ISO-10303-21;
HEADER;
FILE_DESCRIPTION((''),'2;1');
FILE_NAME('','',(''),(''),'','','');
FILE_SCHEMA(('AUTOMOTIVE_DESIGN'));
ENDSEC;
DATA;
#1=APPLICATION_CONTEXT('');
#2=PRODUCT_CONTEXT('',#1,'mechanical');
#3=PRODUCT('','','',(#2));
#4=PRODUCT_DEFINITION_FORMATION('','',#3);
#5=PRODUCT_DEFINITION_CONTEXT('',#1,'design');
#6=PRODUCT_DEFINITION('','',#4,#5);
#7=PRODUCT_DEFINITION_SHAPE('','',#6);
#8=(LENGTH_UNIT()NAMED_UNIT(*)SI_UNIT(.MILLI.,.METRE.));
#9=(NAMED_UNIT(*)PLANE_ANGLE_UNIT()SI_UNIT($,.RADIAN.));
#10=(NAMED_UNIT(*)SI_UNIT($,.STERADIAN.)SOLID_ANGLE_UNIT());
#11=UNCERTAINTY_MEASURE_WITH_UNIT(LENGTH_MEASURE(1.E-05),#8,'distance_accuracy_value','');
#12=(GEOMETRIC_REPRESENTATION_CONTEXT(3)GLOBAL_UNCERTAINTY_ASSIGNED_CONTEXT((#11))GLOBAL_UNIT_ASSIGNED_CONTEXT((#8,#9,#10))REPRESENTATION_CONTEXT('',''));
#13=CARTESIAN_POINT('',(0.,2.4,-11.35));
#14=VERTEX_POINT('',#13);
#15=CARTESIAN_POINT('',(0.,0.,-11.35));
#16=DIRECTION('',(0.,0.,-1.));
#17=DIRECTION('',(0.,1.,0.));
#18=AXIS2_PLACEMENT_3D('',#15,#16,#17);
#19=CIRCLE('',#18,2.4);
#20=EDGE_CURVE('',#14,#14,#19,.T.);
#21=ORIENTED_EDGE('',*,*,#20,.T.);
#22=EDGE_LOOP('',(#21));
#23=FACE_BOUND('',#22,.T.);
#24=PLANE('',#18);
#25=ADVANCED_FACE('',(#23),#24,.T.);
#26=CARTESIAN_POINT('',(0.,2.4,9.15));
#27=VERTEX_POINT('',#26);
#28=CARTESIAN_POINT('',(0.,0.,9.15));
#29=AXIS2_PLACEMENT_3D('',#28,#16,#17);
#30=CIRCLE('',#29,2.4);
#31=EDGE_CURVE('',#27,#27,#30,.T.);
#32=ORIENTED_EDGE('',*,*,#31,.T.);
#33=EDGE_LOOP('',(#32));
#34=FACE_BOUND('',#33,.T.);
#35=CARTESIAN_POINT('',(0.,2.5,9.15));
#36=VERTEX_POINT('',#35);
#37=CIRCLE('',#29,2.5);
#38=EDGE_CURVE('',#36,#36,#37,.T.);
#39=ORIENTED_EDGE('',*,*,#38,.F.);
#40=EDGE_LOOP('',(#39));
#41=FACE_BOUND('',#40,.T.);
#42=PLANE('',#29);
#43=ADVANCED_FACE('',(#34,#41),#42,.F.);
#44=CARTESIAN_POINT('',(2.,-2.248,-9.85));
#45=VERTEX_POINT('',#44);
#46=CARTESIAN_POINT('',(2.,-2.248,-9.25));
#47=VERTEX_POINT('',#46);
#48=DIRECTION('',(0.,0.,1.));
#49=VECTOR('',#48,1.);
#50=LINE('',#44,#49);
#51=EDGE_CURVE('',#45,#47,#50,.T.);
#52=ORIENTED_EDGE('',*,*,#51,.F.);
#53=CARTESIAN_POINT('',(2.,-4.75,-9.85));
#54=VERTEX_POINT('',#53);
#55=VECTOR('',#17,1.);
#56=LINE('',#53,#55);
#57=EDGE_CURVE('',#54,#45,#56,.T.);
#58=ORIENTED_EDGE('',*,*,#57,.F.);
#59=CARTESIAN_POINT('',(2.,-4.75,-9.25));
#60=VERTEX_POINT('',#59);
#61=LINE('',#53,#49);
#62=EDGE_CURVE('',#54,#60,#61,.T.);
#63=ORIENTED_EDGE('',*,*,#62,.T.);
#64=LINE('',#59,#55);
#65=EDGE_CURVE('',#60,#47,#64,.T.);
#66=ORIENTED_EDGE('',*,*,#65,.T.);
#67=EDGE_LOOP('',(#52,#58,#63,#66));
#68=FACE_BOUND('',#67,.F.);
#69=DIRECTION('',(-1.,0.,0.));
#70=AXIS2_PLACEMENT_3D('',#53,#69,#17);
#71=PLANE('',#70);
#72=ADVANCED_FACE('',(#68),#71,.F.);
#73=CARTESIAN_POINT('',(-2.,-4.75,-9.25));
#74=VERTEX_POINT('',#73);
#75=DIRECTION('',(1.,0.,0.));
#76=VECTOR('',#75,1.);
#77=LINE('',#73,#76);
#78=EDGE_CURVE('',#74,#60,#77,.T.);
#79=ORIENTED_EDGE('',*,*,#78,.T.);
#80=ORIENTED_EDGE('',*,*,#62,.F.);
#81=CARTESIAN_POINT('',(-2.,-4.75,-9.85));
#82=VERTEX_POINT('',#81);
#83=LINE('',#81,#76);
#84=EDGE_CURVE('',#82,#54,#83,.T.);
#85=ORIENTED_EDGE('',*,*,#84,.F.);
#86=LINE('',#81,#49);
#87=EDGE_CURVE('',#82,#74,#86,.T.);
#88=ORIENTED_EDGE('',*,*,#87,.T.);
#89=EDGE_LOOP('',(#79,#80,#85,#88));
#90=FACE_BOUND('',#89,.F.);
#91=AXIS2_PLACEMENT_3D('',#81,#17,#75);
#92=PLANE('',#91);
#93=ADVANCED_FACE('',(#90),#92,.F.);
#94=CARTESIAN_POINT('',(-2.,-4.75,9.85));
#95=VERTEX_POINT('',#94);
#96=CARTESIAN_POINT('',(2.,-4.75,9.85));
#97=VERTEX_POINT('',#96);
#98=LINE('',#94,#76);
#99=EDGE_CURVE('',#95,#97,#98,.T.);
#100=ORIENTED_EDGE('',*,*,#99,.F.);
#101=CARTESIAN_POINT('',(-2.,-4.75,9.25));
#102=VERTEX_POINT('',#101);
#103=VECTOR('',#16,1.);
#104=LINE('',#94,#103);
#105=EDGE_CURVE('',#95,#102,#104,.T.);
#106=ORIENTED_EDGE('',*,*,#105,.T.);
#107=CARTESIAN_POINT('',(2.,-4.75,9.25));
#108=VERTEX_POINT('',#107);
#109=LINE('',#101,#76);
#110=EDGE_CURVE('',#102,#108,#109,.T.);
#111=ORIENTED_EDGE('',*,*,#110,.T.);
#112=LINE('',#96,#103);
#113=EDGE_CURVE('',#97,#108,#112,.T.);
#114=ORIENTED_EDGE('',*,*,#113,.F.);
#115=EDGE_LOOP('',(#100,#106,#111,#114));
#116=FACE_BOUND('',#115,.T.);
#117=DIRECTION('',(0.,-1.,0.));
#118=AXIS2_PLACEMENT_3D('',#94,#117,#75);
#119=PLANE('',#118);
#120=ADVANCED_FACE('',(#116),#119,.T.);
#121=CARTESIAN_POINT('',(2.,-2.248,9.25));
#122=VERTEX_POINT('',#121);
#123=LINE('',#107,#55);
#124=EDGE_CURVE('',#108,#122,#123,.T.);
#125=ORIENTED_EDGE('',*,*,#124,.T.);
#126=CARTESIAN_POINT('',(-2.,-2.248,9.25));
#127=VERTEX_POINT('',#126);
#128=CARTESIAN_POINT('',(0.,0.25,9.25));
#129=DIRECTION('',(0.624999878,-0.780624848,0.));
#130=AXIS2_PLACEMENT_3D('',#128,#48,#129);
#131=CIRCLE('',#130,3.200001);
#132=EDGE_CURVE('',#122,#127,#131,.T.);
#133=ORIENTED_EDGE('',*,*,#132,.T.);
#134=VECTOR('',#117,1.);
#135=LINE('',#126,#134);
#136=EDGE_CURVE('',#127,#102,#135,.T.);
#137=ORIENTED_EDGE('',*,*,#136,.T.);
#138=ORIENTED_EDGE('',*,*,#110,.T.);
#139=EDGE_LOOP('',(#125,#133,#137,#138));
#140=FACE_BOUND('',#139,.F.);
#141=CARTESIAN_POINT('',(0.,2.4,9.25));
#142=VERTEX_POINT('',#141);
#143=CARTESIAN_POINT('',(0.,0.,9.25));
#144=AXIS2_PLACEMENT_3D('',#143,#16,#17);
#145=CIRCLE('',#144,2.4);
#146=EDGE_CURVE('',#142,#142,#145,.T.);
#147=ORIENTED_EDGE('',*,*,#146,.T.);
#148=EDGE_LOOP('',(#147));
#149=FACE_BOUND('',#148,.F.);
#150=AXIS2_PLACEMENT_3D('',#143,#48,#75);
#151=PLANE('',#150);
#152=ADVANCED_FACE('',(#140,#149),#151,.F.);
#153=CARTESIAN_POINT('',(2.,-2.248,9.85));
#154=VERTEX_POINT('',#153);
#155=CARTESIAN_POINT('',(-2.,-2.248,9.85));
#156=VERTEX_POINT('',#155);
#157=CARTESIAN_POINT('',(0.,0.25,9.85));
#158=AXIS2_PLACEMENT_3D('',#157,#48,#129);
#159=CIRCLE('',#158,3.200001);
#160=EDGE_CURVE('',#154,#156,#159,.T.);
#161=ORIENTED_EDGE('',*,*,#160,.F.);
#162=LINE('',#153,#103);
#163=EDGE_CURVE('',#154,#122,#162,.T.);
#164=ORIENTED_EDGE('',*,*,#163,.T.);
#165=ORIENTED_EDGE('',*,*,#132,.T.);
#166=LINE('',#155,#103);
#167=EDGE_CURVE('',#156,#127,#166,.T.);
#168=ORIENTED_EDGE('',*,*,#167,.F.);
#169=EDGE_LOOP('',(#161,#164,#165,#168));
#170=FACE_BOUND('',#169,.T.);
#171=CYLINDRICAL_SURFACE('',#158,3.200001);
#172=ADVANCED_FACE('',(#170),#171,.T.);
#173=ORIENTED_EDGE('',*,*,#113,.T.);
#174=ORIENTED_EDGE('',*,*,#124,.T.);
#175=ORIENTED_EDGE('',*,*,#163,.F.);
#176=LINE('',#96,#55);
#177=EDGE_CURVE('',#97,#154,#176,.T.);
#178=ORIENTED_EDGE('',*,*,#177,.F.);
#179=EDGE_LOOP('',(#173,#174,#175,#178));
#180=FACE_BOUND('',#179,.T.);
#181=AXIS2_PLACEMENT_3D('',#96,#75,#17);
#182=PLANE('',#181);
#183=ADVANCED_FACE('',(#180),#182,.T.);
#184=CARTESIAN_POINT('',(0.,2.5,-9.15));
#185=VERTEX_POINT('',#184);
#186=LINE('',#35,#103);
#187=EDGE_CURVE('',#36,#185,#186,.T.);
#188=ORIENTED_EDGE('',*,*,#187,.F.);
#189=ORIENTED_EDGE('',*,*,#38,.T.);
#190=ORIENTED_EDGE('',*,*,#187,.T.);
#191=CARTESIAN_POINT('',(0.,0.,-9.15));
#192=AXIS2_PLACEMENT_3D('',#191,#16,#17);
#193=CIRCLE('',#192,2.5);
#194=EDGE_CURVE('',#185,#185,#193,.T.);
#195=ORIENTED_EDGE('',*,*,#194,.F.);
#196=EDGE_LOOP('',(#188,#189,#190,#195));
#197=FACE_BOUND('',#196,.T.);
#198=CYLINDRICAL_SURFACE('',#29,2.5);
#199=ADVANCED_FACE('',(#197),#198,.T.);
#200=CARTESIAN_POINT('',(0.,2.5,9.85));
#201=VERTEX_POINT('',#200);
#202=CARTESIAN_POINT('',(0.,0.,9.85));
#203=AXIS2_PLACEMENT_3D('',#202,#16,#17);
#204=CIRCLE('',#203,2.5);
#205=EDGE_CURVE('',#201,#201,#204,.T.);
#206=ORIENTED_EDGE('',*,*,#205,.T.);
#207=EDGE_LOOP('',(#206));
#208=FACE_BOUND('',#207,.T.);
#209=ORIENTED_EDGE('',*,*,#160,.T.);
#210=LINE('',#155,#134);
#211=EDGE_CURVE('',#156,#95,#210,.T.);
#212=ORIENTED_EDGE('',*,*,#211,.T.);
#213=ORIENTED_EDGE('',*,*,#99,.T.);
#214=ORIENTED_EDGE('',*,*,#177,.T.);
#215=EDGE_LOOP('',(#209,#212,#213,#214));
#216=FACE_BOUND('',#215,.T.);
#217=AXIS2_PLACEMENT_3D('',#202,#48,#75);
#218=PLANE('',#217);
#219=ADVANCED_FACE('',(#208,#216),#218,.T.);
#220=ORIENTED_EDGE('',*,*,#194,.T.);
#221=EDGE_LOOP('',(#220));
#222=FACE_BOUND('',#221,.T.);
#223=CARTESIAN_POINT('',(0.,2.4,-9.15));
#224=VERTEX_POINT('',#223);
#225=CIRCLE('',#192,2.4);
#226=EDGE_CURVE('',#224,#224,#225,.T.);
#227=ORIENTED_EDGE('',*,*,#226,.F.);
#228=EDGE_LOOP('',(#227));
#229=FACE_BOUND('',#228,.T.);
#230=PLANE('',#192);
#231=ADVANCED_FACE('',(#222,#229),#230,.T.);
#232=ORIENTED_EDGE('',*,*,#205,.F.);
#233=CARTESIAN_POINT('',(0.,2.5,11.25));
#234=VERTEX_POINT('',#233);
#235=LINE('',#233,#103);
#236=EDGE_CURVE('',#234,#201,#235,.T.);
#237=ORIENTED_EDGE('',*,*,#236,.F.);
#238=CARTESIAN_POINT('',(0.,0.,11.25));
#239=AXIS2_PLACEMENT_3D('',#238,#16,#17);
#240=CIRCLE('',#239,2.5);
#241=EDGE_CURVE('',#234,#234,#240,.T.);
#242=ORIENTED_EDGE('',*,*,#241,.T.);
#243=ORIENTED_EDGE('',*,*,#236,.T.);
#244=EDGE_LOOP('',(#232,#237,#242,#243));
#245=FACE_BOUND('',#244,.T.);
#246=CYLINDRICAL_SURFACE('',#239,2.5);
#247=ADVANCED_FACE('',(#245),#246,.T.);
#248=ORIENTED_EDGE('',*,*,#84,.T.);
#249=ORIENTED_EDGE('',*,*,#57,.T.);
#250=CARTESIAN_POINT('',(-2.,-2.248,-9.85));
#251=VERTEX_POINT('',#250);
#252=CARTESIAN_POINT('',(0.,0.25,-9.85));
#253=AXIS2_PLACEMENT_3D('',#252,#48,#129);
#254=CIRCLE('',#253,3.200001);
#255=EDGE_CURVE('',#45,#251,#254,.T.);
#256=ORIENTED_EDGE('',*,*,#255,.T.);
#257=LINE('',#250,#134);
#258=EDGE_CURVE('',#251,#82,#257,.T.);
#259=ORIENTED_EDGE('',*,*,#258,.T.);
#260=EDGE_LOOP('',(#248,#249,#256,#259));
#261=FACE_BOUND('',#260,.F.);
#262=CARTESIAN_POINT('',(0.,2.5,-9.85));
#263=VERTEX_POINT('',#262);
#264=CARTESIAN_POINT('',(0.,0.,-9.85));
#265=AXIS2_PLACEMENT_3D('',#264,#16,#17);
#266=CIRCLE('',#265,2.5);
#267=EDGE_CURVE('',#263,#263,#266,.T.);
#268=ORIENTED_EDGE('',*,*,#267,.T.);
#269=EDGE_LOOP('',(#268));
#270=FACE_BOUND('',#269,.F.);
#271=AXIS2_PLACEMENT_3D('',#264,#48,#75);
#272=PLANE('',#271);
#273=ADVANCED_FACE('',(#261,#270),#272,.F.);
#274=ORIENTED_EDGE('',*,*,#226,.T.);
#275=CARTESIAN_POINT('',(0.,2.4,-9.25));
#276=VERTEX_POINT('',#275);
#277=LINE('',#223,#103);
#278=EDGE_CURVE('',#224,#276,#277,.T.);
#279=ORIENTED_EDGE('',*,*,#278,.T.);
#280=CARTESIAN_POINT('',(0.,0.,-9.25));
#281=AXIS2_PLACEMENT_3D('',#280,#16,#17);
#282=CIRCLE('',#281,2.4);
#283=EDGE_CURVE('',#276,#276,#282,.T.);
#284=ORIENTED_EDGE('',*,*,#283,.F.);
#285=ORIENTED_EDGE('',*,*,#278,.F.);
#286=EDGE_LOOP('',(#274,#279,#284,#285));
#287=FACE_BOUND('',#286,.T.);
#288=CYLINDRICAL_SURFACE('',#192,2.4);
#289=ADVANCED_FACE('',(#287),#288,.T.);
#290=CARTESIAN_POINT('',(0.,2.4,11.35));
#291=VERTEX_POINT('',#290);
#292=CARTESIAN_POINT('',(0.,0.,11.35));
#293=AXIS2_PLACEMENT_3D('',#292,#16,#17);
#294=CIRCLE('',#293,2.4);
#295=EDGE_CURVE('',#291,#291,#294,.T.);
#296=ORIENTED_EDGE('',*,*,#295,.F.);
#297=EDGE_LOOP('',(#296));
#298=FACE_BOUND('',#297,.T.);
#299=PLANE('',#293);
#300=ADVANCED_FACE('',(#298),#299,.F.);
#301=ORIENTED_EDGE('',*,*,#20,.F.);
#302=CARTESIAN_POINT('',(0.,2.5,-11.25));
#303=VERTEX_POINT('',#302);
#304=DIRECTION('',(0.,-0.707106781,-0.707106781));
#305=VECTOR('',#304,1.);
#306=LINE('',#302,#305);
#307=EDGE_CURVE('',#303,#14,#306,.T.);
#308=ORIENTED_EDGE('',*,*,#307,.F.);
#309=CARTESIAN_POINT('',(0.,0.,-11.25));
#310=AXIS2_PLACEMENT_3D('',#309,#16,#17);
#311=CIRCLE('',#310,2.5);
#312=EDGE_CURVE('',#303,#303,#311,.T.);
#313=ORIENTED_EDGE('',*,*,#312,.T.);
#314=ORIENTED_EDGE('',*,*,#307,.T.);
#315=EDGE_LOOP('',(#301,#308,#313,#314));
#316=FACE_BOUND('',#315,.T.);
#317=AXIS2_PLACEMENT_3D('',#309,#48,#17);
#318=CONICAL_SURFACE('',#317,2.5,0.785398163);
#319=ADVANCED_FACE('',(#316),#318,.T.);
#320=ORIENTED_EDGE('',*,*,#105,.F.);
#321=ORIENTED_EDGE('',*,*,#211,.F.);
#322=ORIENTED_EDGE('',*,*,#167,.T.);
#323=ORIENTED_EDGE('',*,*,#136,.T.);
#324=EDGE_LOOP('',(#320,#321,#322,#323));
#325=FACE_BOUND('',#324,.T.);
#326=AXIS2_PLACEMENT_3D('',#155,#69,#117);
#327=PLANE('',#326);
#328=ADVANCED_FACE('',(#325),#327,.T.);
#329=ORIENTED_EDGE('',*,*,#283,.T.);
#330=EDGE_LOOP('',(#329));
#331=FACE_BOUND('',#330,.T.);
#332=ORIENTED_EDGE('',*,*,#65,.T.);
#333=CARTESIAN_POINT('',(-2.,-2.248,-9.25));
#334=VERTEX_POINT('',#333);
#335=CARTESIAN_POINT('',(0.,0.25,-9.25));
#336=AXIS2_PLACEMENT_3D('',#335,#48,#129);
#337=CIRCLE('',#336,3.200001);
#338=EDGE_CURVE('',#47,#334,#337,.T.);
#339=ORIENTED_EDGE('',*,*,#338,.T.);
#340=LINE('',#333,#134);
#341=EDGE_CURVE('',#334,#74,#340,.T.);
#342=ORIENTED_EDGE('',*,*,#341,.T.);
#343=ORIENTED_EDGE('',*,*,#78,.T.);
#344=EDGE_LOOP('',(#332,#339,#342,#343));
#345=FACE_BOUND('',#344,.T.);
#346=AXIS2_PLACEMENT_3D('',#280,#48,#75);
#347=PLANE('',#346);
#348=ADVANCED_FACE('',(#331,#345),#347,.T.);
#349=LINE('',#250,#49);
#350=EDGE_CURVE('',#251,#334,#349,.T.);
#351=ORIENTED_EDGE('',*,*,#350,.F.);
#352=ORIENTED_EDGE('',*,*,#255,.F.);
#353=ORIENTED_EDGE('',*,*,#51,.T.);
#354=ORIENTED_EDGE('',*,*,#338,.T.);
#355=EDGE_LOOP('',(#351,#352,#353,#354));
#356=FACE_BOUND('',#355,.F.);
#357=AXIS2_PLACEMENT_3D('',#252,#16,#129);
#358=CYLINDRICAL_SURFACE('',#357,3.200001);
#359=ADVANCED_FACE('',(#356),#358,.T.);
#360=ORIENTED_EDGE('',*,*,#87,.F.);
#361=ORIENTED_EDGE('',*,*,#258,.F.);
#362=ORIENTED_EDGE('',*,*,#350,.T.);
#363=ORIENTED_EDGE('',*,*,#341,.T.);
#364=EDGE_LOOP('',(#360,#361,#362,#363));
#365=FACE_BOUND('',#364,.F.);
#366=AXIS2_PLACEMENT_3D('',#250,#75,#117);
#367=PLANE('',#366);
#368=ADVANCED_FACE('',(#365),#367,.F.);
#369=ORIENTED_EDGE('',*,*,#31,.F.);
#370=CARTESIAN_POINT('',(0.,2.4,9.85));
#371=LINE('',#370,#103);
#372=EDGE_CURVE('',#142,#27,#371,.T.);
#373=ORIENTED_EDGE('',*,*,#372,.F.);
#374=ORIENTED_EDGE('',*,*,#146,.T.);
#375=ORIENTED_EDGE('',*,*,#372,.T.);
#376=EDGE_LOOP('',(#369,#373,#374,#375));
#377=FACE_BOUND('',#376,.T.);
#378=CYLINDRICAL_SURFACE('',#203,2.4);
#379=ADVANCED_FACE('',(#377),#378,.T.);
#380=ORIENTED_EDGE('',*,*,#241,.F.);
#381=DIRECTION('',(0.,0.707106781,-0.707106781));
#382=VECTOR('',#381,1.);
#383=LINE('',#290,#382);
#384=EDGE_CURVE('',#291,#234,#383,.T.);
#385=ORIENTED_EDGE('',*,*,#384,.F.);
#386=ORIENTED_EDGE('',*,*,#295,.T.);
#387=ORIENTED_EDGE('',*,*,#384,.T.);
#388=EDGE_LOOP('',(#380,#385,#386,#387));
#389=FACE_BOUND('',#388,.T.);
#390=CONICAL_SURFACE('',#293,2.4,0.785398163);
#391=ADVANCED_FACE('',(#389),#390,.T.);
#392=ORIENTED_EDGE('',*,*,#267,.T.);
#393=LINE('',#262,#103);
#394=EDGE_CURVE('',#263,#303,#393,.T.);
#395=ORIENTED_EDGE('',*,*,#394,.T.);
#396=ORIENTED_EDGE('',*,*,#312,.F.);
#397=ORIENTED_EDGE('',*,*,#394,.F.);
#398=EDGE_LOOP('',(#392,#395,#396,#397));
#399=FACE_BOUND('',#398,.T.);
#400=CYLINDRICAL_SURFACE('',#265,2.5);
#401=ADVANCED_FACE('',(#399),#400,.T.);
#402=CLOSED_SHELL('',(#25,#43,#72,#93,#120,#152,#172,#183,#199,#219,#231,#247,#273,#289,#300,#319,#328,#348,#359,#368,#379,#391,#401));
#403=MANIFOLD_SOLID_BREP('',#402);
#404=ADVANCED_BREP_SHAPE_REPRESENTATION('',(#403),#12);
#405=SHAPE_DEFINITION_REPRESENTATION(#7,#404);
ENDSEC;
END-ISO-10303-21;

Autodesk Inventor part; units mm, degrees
sketch "Sketch_1" plane through (0, 0, 0) normal (1, 0, 0) x (0, 1, 0)
  line L0 (0, -50) -> (0, 50)
  line L1 (0, 11.35) -> (2.4, 11.35)
  line L2 (2.4, 11.35) -> (2.5, 11.25)
  line L3 (2.5, 11.25) -> (2.5, 9.85)
  line L4 (2.5, 9.85) -> (2.4, 9.85)
  line L5 (2.4, 9.85) -> (2.4, 9.15)
  line L6 (2.4, 9.15) -> (2.5, 9.15)
  line L7 (2.5, 9.15) -> (2.5, -9.15)
  line L8 (2.5, -9.15) -> (2.4, -9.15)
  line L9 (2.4, -9.15) -> (2.4, -9.85)
  line L10 (2.4, -9.85) -> (2.5, -9.85)
  line L11 (2.5, -9.85) -> (2.5, -11.25)
  line L12 (2.5, -11.25) -> (2.4, -11.35)
  line L13 (2.4, -11.35) -> (0, -11.35)
  line L14 (0, -11.35) -> (0, 11.35)
revolve "Revolution1" add sketch "Sketch_1" angle 360 about axis through (0, 0, -50) along (0, 0, -1)
sketch "Sketch_4" plane through (0, 0, 9.85) normal (0, 0, 1) x (1, 0, 0)
  arc A0 (2, -2.248) -> (-2, -2.248) centre (0, 0.25) ccw
  line L0 (-2, -2.248) -> (-2, -4.75)
  line L1 (-2, -4.75) -> (2, -4.75)
  line L2 (2, -4.75) -> (2, -2.248)
extrude "Extrusion1" add sketch "Sketch_4" against normal blind 0.6
sketch "Sketch_5" plane through (0, 0, -9.85) normal (0, 0, 1) x (1, 0, 0)
  arc A0 (2, -2.248) -> (-2, -2.248) centre (0, 0.25) ccw
  line L0 (-2, -2.248) -> (-2, -4.75)
  line L1 (-2, -4.75) -> (2, -4.75)
  line L2 (2, -4.75) -> (2, -2.248)
extrude "Extrusion2" add sketch "Sketch_5" along normal blind 0.6
ref_plane "cd_XY" through (0, 0, 0) normal (1, 0, 0) x (0, 0, -1)
ref_plane "cd_YZ" through (0, 0, 0) normal (0, 0, -1) x (0, 1, 0)
ref_plane "cd_ZX" through (0, 0, 0) normal (0, 1, 0) x (1, 0, 0)
properties part number "CJ2-Z_CD-Z015"
